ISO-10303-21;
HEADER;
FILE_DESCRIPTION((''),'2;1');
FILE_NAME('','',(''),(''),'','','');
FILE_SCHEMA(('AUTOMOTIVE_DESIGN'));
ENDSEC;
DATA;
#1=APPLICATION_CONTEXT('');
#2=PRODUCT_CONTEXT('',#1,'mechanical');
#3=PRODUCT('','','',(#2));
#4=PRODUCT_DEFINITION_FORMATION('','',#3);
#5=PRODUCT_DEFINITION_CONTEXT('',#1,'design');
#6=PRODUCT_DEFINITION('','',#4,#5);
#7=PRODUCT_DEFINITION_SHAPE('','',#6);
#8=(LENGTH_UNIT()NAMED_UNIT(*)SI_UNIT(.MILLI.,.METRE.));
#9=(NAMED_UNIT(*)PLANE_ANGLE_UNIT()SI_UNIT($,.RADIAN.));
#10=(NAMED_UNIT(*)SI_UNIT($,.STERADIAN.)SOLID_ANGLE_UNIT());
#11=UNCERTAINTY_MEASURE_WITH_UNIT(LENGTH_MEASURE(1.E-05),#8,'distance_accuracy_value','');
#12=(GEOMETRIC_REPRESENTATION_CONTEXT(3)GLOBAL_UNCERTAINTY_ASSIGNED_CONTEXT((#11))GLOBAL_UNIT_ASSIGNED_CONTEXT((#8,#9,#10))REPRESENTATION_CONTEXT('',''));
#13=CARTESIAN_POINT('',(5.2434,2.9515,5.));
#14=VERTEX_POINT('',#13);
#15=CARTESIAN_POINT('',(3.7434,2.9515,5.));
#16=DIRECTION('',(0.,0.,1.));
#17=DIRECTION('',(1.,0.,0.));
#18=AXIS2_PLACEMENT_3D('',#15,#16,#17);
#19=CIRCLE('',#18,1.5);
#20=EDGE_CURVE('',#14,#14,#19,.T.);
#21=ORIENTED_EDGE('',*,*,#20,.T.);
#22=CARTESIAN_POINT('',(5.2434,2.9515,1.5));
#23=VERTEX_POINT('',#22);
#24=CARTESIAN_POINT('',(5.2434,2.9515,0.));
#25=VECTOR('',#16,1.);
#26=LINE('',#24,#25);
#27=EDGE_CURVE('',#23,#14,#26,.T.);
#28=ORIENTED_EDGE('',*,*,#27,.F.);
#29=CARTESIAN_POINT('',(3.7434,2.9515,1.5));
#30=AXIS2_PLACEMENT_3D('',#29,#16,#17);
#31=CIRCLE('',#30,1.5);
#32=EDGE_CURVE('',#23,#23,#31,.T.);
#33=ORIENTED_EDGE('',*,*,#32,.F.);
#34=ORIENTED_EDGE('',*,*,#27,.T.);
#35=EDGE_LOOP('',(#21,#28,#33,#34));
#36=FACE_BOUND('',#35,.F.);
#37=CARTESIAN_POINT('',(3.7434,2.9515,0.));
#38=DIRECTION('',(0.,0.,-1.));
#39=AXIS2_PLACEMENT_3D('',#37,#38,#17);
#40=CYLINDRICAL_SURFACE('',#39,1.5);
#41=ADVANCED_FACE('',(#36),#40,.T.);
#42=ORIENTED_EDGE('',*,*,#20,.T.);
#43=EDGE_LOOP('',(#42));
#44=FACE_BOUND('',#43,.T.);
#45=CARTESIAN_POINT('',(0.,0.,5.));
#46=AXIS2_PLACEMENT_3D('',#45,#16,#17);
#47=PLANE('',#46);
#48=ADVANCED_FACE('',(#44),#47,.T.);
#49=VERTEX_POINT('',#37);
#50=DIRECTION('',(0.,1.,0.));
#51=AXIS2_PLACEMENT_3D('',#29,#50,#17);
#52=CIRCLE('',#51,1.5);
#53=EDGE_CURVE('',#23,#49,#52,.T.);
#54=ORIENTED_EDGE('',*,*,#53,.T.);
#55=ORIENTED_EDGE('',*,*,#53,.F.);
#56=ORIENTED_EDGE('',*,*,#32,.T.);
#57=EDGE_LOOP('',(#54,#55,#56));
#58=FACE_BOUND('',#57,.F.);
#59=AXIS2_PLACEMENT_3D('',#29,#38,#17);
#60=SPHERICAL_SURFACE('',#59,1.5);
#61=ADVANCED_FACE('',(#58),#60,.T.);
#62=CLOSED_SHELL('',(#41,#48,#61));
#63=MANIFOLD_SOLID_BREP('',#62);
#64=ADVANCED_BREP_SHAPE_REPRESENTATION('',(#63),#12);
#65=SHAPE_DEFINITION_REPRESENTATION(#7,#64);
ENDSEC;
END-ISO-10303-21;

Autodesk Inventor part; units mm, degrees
ref_plane "YZ Plane" through (0, 0, 0) normal (1, 0, 0) x (0, 1, 0)
ref_plane "XZ Plane" through (0, 0, 0) normal (0, 1, 0) x (-1, 0, 0)
ref_plane "XY Plane" through (0, 0, 0) normal (0, 0, 1) x (1, 0, 0)
sketch "Sketch1" plane through (0, 0, 0) normal (0, 0, 1) x (1, 0, 0)
  circle A0 centre (3.7434, 2.9515) radius 1.5
  point P0 (0, 0)
  dimension "d0" = 3
extrude "Extrusion1" add sketch "Sketch1" along normal blind 5
fillet "Fillet1" radius 1.5 1 edges at (2.2434, 2.9515, 0)
properties part number "bulb edited" material "Acetal Resin, White"
